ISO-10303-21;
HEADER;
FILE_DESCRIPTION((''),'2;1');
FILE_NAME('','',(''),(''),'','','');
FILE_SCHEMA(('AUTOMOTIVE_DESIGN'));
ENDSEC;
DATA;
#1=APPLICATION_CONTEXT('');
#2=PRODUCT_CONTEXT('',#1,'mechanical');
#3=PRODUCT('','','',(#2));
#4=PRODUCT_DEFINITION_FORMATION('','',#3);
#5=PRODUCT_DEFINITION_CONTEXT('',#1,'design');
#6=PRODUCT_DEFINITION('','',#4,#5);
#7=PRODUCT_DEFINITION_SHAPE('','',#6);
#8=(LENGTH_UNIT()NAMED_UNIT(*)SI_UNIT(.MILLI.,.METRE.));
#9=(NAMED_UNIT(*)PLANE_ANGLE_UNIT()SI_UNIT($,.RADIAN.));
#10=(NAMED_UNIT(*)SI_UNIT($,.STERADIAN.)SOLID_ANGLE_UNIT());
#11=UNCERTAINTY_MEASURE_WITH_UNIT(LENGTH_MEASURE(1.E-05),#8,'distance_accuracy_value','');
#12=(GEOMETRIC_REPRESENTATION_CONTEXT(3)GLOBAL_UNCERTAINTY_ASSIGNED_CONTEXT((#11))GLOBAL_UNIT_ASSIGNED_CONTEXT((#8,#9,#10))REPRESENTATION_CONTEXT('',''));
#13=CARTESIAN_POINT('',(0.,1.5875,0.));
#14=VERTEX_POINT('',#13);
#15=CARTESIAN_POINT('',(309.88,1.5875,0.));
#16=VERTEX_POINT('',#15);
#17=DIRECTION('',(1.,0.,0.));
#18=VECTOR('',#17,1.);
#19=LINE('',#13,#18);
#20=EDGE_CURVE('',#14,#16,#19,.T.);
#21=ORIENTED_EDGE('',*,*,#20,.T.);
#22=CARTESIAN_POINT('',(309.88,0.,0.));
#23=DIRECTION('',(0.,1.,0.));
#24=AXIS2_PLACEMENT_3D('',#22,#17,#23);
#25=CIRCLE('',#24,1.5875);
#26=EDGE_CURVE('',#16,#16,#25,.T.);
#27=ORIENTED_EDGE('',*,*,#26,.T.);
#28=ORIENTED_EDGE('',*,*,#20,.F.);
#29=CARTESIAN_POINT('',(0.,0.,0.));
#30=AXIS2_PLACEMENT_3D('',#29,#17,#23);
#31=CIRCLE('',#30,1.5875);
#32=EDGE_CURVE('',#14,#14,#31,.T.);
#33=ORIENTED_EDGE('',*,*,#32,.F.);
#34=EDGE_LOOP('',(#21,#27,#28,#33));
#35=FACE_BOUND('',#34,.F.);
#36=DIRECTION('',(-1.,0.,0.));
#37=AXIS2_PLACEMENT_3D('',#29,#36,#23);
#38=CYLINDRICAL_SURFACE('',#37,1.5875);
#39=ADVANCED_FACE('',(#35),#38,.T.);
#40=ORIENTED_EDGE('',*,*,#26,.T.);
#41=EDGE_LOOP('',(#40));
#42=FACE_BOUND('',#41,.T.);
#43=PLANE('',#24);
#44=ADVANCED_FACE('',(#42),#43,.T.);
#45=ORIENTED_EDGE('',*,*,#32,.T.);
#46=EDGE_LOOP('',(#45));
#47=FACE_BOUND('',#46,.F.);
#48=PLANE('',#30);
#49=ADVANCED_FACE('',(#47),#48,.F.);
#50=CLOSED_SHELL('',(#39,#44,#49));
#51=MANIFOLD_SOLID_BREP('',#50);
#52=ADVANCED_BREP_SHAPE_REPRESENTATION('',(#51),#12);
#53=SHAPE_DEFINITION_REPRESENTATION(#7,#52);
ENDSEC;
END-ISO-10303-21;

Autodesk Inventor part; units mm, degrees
ref_plane "YZ Plane" through (0, 0, 0) normal (1, 0, 0) x (0, 1, 0)
ref_plane "XZ Plane" through (0, 0, 0) normal (0, 1, 0) x (-1, 0, 0)
ref_plane "XY Plane" through (0, 0, 0) normal (0, 0, 1) x (1, 0, 0)
sketch "Sketch1" plane through (0, 0, 0) normal (1, 0, 0) x (0, 1, 0)
  circle A0 centre (0, 0) radius 1.5875
  dimension "d0" = 3.175
extrude "Extrusion1" add sketch "Sketch1" along normal blind 309.88
thread "Thread1" size "5-40 UNC" class "2A" standard "ANSI Unified Screw Threads" full length
properties part number "aftThreadedRodThread_5_40" material "Stainless Steel, Polished"
